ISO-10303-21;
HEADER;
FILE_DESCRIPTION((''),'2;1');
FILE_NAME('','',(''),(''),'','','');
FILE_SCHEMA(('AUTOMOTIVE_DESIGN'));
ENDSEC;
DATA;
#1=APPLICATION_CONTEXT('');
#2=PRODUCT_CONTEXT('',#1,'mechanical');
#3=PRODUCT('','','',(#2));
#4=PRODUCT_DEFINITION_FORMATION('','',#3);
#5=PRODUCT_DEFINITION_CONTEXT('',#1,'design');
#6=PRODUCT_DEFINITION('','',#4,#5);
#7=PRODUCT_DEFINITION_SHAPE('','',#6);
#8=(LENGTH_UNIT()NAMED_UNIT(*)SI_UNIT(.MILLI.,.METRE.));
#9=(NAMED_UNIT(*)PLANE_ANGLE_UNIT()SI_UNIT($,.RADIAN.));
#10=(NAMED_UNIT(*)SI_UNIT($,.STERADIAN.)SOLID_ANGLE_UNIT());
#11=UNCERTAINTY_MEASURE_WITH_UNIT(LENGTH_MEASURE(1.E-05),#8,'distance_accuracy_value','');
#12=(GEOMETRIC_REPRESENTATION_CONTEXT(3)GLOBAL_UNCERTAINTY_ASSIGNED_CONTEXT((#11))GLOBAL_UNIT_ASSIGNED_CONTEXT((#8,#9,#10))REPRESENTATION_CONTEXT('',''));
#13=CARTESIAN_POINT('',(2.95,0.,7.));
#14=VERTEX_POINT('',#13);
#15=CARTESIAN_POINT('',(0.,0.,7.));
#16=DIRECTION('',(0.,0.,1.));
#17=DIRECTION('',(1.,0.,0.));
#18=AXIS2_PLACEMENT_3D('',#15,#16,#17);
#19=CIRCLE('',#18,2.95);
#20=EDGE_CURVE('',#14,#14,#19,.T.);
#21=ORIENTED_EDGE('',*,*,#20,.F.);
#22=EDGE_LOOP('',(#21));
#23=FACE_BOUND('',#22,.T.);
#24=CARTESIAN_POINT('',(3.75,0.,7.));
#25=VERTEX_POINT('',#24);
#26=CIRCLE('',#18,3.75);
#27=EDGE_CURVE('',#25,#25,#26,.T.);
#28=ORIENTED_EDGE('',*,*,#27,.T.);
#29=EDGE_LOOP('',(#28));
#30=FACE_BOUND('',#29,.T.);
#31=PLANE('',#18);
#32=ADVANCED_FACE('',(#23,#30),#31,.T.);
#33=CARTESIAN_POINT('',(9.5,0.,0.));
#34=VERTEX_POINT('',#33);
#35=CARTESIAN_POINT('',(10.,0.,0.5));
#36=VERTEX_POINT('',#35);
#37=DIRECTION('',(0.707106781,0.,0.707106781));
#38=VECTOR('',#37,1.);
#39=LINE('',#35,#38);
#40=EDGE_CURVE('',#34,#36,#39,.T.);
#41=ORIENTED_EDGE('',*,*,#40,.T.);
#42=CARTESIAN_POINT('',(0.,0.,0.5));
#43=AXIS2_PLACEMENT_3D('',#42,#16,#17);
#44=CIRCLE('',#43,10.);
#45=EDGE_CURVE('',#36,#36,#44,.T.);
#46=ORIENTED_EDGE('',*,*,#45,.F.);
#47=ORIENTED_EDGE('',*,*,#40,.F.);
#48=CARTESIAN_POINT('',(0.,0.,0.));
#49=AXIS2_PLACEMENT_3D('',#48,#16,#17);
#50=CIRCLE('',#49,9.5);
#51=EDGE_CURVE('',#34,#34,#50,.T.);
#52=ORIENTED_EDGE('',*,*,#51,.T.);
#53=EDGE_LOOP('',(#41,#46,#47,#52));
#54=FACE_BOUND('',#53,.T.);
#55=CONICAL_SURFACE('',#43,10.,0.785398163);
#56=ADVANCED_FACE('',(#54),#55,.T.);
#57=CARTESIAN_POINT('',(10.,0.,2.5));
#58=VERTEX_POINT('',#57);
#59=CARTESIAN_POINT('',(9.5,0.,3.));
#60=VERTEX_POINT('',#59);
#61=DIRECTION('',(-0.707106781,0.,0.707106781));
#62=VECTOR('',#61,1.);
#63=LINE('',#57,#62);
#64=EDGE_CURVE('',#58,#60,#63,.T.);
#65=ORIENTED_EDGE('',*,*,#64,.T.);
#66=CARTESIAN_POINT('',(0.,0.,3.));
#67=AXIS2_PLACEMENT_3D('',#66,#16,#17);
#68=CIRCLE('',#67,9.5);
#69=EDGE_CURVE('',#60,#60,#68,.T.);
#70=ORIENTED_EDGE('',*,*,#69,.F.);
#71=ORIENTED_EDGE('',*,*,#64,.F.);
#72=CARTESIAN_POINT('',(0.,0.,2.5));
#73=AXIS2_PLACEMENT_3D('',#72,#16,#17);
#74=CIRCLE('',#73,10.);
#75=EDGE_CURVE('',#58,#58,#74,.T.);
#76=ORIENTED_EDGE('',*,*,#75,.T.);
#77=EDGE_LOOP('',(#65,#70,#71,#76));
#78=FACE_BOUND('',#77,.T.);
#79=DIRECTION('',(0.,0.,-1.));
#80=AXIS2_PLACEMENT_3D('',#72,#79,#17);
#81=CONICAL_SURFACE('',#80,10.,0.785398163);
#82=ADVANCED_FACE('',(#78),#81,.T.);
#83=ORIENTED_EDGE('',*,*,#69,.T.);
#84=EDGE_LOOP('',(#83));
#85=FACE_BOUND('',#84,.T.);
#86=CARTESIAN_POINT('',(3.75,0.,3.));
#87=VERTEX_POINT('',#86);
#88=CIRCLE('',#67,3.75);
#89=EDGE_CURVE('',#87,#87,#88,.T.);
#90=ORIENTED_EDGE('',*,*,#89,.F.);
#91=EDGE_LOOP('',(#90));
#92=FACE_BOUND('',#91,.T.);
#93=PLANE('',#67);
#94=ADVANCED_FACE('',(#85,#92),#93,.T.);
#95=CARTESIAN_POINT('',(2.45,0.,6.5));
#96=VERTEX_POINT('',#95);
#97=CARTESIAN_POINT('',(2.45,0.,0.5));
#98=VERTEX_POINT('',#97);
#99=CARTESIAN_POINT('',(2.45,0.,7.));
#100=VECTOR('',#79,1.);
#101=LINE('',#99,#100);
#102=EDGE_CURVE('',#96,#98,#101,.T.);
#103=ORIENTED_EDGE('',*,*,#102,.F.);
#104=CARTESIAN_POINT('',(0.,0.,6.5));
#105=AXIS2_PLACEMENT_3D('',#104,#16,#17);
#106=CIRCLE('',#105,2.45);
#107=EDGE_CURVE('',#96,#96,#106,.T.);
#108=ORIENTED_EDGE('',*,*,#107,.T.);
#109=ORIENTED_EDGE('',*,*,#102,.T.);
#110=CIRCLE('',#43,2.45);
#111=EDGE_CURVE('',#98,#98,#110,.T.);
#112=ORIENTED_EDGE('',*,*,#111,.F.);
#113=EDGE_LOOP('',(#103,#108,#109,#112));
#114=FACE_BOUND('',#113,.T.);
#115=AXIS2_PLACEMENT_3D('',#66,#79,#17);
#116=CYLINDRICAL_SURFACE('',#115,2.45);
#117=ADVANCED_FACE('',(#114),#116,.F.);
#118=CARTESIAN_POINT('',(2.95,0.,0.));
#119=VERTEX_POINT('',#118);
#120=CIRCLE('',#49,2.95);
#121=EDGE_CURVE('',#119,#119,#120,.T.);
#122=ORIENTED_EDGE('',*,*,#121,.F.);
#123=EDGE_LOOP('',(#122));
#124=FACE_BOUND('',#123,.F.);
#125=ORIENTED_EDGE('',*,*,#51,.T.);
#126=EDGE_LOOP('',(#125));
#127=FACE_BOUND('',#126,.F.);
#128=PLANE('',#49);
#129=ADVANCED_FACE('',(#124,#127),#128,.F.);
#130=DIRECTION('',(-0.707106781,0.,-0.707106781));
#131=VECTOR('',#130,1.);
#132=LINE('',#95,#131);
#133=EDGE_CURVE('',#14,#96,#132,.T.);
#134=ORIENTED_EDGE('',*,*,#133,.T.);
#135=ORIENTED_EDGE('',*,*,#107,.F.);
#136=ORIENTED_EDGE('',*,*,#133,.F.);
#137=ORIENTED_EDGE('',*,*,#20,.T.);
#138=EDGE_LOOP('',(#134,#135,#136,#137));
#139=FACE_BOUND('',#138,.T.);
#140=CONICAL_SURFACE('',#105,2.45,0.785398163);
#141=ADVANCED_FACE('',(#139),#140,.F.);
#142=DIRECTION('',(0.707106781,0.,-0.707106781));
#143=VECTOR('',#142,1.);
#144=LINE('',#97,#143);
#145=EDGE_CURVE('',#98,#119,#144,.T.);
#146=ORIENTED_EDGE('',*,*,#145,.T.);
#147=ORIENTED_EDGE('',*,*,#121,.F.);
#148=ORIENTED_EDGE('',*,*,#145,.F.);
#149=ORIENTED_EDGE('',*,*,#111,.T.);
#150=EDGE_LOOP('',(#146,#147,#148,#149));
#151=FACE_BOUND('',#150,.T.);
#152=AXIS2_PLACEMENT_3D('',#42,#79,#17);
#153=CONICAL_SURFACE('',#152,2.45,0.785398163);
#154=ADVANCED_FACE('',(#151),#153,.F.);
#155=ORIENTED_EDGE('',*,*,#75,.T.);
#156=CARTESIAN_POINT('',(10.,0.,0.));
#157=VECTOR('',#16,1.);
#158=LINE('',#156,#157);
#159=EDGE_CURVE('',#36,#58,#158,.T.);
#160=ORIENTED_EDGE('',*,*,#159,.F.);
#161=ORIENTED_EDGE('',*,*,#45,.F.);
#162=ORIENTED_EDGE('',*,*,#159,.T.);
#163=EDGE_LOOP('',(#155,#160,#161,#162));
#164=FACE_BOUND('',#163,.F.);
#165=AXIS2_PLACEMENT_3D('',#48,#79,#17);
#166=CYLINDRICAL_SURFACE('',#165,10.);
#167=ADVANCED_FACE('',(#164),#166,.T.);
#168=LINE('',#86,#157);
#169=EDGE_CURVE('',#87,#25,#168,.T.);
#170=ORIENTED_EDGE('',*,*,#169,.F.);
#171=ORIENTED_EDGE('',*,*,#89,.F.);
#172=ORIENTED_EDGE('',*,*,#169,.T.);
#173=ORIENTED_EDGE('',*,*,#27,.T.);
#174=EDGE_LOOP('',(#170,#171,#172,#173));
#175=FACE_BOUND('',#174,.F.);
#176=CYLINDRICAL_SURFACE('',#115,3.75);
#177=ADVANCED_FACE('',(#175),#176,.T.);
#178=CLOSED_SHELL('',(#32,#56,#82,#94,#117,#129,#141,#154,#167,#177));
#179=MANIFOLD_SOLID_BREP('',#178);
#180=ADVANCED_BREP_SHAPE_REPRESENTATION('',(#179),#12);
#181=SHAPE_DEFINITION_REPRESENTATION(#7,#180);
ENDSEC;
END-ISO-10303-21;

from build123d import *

# Parameters (mm, degrees)
F0_R     = 10
F0_R_2   = 2.45
F1_DEPTH = 3
F2_R     = 3.75
F2_R_2   = 2.45
F3_DEPTH = 4
F4_SIZE  = 0.5


with BuildPart() as f1:
    # F0 (on Top) → F1 (new body)
    with BuildSketch(Plane.XY):
        Circle(F0_R)
        Circle(F0_R_2, mode=Mode.SUBTRACT)
    extrude(amount=F1_DEPTH)

    # F2 (on face) → F3 (join)
    with BuildSketch(Plane.XY.offset(3)):
        Circle(F2_R)
        Circle(F2_R_2, mode=Mode.SUBTRACT)
    extrude(amount=F3_DEPTH)

    # F4
    f4_edges = [f1.edges().sort_by_distance(p)[0] for p in [
        (-10, 0, 3),
        (-2.45, 0, 7),
        (-10, 0, 0),
        (-2.45, 0, 0),
    ]]
    chamfer(f4_edges, length=F4_SIZE)


solid = f1.part
